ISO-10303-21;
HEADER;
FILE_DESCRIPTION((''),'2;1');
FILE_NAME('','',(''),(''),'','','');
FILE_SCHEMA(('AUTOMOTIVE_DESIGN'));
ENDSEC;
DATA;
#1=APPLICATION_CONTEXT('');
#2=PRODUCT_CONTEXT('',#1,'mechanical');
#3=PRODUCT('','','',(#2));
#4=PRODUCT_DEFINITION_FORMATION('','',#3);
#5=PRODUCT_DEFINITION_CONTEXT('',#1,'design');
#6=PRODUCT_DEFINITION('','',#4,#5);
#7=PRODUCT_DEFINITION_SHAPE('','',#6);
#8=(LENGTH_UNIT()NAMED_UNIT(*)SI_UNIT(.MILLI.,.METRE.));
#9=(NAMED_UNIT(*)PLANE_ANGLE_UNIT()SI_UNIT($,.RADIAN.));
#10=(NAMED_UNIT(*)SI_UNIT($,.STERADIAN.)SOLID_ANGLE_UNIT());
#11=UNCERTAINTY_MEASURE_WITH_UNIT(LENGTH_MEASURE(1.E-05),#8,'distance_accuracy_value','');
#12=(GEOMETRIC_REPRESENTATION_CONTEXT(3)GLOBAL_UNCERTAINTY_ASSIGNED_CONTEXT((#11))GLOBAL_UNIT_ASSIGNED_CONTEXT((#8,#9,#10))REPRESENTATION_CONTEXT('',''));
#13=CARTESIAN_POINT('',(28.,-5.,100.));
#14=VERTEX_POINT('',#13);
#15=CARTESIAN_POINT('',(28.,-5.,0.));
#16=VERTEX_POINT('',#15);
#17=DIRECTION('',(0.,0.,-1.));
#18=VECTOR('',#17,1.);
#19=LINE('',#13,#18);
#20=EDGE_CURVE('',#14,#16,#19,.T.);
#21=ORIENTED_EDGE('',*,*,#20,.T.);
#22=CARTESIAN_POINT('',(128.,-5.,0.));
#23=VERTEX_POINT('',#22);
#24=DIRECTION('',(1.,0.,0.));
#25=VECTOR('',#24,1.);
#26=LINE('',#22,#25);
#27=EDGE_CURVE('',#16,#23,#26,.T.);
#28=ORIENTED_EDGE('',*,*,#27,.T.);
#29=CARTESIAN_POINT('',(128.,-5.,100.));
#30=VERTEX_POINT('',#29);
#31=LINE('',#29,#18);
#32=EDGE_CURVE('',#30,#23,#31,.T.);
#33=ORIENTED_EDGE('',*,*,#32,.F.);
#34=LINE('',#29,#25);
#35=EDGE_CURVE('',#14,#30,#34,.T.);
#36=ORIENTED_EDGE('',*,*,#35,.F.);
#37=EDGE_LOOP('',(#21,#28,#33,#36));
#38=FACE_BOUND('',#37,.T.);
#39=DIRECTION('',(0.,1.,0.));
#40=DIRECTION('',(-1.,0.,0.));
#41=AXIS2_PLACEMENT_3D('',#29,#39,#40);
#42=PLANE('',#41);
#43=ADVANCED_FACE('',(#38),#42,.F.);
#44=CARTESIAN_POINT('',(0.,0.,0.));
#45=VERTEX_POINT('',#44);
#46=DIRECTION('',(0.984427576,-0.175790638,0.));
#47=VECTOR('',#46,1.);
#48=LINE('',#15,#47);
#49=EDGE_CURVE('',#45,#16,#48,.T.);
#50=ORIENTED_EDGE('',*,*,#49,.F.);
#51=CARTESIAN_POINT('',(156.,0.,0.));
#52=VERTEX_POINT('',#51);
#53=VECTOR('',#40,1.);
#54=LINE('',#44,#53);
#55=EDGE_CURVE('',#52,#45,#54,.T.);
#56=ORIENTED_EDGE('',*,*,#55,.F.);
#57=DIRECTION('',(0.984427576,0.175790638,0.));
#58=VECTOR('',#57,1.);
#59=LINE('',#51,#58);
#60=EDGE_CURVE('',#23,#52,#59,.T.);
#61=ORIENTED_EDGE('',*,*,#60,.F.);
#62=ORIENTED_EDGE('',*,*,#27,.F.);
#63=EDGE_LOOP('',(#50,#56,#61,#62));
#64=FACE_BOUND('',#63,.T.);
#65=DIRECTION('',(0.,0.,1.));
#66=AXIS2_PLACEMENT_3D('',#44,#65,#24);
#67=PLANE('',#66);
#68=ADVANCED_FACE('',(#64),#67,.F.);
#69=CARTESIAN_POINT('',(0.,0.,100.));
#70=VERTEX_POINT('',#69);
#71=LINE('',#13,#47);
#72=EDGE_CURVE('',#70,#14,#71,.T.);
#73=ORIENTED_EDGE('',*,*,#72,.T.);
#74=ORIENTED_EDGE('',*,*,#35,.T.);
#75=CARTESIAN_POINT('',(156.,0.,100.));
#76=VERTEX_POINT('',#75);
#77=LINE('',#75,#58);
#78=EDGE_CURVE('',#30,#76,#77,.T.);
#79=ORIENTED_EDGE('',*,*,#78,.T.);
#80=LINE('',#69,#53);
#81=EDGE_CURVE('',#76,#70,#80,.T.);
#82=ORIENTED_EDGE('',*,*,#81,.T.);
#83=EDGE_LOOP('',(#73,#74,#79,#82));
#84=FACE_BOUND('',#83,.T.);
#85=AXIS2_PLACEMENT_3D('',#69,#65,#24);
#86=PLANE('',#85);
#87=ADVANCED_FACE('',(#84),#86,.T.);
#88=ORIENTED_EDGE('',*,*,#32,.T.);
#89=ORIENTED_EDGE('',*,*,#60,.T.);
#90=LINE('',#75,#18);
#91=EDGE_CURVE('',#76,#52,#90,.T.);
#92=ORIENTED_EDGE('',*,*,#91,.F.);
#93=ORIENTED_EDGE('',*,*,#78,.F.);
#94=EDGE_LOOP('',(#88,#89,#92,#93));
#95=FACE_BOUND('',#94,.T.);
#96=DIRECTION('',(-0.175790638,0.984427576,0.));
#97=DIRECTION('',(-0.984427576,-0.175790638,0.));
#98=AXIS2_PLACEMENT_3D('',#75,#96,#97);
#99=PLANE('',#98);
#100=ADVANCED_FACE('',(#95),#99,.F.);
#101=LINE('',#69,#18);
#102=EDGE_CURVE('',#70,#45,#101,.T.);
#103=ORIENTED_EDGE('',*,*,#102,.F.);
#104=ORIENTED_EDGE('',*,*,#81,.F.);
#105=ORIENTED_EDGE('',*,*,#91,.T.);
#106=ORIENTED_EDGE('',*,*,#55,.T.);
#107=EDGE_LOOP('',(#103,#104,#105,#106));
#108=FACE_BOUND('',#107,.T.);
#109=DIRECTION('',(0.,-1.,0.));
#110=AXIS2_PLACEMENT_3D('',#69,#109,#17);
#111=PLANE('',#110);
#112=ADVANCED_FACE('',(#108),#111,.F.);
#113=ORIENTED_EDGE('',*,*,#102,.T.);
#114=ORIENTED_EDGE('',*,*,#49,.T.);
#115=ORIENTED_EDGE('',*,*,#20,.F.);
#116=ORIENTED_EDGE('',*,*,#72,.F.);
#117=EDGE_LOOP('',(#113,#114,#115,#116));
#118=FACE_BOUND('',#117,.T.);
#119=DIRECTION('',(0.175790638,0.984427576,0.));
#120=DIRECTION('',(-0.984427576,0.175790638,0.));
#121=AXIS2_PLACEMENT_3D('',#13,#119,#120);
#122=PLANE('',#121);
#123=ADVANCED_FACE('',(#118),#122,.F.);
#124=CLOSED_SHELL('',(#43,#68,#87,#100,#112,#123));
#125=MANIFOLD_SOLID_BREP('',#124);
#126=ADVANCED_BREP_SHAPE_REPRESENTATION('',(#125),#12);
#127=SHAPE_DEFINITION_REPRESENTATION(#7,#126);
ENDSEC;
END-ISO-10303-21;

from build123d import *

# Parameters (mm, degrees)
BOSS_EXTRUDE1_DEPTH = 100


with BuildPart() as part:
    # Sketch1 → Boss-Extrude1 (new body)
    with BuildSketch(Plane.XY):
        Polygon((0, 0), (156, 0), (128, -5), (28, -5), align=None)
    extrude(amount=BOSS_EXTRUDE1_DEPTH)


solid = part.part
